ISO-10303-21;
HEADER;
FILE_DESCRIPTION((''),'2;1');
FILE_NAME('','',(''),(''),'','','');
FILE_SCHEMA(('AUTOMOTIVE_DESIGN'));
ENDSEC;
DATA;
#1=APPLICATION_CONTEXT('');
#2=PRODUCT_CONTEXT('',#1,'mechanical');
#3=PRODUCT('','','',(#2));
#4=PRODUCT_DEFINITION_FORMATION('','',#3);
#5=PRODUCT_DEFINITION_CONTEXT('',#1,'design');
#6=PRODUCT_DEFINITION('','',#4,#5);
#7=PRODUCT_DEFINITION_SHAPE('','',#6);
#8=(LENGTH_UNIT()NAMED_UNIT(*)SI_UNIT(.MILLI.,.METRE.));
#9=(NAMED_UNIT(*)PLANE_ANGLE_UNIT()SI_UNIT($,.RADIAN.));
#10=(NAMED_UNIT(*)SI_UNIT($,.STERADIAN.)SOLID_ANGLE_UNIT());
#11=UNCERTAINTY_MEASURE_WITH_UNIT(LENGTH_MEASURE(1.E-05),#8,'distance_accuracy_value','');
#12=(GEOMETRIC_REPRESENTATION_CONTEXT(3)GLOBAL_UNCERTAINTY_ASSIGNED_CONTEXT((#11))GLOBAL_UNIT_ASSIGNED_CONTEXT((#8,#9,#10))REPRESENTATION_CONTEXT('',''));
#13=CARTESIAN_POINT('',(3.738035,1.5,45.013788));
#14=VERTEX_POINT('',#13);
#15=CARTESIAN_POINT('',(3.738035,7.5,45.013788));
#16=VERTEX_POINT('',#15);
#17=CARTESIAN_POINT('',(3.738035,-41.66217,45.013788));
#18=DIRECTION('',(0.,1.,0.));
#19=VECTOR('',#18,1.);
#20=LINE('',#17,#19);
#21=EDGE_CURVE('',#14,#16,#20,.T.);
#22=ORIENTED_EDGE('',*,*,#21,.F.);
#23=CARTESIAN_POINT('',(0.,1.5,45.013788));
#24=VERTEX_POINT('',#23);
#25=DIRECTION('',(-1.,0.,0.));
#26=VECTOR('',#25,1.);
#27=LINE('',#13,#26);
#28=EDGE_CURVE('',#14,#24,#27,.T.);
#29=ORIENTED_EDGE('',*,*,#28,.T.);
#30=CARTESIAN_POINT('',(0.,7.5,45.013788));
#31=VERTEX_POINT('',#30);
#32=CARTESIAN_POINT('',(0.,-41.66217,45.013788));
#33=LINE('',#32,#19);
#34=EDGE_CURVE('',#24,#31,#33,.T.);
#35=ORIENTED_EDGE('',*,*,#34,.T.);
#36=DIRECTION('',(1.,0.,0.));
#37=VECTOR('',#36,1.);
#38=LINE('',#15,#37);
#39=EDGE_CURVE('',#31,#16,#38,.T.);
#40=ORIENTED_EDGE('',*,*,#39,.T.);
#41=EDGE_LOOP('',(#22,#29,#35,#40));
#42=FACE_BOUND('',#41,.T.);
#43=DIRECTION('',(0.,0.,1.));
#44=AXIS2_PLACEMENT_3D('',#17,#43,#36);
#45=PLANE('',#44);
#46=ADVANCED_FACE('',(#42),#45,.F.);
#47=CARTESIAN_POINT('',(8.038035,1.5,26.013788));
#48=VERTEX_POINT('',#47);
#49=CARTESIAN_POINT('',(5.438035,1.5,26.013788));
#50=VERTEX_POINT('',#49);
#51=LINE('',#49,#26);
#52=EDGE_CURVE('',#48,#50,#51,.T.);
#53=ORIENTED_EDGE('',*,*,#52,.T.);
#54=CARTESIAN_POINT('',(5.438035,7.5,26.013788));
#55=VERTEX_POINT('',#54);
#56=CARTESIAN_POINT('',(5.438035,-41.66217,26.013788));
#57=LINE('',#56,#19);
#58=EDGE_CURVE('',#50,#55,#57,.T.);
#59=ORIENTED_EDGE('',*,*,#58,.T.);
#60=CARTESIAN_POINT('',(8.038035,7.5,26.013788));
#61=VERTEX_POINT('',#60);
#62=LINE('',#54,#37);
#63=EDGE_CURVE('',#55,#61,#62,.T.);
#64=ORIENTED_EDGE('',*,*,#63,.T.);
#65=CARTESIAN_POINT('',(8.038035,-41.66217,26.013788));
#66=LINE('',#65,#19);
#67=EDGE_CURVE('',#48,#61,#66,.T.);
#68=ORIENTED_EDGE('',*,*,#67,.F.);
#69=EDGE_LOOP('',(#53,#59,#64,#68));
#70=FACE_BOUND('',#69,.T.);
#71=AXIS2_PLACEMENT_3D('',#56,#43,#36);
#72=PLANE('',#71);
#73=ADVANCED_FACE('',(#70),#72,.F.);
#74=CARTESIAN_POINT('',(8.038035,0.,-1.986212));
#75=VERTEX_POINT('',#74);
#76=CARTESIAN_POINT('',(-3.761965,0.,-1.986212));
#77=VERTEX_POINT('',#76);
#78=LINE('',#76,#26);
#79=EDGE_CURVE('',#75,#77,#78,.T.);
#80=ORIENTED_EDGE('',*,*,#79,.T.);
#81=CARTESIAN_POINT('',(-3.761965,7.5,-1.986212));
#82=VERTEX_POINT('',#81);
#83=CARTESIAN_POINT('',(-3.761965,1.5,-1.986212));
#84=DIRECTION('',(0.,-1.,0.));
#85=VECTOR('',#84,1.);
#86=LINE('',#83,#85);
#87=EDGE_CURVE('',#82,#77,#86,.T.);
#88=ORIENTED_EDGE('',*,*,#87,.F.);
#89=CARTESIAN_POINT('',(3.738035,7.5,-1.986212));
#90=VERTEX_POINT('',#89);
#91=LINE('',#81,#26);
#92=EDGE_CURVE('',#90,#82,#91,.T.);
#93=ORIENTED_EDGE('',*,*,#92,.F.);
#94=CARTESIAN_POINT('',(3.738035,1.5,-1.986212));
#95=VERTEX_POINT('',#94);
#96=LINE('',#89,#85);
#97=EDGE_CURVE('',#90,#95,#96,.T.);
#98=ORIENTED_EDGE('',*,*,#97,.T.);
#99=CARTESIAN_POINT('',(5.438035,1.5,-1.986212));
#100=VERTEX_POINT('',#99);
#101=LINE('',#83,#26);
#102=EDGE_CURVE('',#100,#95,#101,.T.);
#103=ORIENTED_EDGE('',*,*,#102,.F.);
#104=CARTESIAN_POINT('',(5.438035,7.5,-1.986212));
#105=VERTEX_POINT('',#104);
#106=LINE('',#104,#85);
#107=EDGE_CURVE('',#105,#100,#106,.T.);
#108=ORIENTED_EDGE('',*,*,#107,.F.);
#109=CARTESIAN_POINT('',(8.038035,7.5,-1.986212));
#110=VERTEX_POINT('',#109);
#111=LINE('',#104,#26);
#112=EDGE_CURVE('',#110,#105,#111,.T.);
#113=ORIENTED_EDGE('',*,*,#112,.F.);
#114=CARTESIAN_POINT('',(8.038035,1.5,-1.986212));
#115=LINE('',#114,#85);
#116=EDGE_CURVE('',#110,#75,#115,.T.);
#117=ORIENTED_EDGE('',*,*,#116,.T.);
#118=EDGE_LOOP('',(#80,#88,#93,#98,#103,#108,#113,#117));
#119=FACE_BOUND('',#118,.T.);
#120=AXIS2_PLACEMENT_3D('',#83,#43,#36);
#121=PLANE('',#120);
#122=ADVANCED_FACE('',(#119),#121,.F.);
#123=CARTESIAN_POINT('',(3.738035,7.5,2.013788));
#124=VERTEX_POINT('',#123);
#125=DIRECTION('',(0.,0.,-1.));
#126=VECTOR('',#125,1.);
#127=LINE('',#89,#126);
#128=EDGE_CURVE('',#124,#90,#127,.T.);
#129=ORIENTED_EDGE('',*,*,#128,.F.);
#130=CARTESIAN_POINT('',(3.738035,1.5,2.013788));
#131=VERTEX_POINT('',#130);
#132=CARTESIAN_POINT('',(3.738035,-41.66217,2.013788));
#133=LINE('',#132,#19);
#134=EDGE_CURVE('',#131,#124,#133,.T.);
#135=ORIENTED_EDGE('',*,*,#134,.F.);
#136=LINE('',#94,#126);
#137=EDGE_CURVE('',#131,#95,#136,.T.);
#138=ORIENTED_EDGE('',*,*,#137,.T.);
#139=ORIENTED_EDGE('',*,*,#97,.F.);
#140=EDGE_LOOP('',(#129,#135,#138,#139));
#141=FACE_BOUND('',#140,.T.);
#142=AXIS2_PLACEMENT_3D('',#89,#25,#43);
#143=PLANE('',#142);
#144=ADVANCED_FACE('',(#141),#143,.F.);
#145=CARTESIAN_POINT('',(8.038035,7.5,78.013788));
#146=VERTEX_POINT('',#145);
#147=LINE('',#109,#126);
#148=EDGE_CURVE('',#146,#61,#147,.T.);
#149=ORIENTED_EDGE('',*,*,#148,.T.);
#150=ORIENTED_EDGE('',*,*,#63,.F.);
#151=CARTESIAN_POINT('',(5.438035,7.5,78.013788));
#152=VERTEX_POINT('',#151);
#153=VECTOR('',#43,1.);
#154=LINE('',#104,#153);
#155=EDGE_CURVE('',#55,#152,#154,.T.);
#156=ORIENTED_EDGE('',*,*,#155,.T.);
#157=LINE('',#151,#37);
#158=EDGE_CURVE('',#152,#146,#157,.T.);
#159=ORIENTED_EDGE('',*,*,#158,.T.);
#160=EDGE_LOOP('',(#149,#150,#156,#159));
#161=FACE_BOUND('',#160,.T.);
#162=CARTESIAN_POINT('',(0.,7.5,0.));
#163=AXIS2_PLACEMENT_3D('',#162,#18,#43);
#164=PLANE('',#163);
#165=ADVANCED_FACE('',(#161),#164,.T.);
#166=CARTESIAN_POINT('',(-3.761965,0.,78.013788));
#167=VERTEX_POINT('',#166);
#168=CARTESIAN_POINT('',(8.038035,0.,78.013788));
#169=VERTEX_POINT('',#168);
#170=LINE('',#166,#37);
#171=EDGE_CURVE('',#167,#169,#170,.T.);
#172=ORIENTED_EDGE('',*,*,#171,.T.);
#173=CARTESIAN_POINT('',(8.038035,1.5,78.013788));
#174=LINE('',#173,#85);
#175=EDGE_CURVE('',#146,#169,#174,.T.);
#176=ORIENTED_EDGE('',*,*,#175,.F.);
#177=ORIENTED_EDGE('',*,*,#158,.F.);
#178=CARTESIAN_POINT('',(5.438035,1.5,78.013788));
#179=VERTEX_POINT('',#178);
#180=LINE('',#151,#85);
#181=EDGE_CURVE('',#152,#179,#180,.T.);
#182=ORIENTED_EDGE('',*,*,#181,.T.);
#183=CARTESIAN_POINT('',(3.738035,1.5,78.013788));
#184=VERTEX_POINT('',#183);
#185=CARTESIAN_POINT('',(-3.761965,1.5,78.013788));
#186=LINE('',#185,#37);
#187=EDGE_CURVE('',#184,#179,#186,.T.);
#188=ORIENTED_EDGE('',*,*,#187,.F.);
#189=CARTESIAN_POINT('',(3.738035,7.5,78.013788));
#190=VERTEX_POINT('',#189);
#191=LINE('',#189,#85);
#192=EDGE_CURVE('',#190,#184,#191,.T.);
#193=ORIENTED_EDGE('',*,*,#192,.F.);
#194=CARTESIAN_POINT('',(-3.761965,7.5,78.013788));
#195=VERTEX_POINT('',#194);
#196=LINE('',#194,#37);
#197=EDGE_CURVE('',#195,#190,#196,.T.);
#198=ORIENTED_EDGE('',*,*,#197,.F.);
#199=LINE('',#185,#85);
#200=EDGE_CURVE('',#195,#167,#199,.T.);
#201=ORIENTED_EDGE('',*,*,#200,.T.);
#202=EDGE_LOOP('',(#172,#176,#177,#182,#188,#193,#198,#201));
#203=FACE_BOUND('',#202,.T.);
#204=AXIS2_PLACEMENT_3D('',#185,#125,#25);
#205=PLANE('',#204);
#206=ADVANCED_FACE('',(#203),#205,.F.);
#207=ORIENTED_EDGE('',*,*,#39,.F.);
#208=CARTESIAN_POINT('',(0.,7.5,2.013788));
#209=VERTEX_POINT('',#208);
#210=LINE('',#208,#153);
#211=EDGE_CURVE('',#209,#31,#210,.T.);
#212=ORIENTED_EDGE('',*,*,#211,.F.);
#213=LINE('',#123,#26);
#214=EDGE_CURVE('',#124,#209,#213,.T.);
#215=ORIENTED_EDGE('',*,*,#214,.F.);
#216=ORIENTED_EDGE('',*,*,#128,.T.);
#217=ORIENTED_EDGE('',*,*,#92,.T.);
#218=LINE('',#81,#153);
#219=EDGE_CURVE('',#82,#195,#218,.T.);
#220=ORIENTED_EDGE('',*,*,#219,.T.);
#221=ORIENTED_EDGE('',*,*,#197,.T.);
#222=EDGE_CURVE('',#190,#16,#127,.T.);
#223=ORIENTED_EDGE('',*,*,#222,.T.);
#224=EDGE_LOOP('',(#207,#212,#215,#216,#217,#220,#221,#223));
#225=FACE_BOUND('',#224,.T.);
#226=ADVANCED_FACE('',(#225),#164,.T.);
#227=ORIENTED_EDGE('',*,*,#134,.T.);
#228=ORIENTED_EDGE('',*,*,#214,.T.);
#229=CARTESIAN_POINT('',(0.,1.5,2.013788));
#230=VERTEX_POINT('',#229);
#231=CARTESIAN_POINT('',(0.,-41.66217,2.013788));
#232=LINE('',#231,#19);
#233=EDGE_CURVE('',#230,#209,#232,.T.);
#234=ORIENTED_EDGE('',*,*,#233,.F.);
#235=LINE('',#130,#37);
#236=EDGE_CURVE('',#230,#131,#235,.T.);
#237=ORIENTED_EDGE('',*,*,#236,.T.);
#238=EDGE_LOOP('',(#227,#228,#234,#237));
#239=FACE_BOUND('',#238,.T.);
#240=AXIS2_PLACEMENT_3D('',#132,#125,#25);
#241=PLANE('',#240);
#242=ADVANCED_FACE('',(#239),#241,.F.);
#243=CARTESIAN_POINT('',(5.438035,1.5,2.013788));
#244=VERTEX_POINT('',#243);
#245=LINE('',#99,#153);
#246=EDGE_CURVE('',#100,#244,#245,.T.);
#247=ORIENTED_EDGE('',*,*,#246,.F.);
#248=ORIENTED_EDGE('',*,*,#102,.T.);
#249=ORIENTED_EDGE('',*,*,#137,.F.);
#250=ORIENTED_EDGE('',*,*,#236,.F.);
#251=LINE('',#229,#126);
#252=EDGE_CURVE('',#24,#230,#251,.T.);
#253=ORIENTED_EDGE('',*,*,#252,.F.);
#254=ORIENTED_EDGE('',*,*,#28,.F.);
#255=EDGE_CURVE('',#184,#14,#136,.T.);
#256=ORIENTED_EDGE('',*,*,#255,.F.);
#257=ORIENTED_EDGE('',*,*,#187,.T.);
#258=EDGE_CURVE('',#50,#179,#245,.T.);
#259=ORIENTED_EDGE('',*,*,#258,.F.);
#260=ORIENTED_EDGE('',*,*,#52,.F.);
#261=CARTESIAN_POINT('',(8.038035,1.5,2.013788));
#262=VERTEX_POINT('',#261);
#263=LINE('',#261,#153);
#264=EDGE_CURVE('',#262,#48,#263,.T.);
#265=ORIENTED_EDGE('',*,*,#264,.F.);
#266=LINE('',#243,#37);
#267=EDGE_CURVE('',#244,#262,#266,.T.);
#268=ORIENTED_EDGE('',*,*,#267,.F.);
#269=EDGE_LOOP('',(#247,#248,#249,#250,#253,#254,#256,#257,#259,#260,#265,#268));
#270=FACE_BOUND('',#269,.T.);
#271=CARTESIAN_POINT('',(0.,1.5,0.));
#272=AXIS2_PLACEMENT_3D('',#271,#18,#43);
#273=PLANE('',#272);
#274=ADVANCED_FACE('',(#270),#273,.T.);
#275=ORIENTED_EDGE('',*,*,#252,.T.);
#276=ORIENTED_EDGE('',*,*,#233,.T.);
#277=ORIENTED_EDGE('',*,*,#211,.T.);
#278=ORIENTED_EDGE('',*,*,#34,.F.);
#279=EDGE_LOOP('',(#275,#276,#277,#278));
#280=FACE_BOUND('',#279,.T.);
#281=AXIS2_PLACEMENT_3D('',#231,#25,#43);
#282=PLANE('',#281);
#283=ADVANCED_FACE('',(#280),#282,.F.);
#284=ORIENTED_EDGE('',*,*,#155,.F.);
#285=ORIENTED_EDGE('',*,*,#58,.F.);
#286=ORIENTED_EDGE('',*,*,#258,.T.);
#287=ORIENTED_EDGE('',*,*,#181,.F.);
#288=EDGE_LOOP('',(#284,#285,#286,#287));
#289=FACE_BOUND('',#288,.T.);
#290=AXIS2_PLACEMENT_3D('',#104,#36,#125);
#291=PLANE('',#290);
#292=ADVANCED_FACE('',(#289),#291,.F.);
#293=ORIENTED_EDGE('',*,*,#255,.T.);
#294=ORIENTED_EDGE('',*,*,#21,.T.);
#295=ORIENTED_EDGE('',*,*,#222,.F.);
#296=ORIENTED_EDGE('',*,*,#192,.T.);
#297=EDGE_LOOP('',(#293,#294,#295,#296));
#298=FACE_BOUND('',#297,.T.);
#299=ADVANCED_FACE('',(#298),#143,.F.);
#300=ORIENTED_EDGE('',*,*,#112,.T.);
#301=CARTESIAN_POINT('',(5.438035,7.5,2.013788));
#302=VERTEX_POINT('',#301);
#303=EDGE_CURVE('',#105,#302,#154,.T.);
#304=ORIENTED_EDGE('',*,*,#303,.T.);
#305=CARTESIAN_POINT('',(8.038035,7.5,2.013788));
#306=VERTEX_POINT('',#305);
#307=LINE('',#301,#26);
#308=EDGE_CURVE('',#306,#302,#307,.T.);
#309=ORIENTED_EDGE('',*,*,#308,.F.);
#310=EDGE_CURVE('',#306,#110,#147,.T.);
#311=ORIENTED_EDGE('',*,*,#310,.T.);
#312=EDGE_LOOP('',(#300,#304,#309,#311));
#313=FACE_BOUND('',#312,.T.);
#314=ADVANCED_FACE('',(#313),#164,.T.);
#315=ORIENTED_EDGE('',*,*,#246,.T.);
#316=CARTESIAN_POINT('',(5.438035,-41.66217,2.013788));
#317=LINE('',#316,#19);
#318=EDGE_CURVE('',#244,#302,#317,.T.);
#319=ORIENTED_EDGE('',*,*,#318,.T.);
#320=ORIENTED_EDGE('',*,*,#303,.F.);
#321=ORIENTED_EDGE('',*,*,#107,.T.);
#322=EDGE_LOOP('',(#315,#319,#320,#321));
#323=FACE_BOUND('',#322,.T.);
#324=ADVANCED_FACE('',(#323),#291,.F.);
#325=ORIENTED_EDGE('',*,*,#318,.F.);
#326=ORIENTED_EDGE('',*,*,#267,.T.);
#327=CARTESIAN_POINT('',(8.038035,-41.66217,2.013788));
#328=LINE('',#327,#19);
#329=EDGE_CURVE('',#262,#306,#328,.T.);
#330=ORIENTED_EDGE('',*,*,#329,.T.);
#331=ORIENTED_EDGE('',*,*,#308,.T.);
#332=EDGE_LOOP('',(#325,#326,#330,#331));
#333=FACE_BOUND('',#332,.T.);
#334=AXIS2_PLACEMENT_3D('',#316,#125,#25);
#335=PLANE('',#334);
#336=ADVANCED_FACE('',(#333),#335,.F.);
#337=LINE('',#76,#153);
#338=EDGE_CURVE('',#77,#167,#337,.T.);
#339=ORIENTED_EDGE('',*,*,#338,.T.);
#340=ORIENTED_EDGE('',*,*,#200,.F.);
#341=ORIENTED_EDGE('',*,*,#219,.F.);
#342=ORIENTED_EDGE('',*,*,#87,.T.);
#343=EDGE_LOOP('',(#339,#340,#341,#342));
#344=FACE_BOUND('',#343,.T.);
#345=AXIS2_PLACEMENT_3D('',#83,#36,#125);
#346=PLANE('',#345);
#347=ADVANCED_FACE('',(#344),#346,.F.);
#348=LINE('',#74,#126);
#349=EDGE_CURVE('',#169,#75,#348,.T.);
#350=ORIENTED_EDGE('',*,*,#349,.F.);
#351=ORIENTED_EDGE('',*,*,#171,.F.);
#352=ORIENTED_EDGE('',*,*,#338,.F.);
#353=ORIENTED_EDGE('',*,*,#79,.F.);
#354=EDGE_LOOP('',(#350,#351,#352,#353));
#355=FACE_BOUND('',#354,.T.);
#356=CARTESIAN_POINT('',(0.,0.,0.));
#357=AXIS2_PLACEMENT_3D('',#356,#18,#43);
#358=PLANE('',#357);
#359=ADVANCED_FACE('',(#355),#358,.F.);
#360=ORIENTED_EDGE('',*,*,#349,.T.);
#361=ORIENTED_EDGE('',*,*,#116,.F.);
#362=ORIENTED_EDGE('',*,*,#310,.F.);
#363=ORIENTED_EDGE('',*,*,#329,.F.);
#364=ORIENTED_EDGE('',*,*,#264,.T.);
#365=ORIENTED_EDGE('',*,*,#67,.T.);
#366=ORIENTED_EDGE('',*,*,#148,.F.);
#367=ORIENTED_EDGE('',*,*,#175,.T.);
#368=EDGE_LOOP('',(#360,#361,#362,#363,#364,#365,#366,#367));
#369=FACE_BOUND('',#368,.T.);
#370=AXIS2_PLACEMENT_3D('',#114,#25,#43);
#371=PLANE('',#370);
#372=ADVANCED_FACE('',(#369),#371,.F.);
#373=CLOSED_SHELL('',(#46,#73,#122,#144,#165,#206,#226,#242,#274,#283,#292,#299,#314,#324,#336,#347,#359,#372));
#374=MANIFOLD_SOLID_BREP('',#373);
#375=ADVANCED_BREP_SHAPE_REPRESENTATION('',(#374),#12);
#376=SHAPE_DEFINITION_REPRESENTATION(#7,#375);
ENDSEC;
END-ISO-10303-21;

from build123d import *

# Parameters (mm, degrees)
SKETCH1_W           = 11.8
SKETCH1_H           = 80
BOSS_EXTRUDE1_DEPTH = 1.5
SKETCH2_W           = 7.5
SKETCH2_H           = 80
SKETCH2_W_2         = 2.6
BOSS_EXTRUDE2_DEPTH = 6
SKETCH3_W           = 3.738034865
SKETCH3_H           = 43
SKETCH3_W_2         = 2.6
SKETCH3_H_2         = 24
CUT_EXTRUDE1_DEPTH  = 6


with BuildPart() as part:
    # Sketch1 → Boss-Extrude1 (new body)
    with BuildSketch(Plane(origin=(0, 0, 0), x_dir=(1, 0, 0), z_dir=(0, 1, 0))):
        with Locations((2.138034865, -38.013787639)):
            Rectangle(SKETCH1_W, SKETCH1_H)
    extrude(amount=BOSS_EXTRUDE1_DEPTH)

    # Sketch2 → Boss-Extrude2 (add)
    with BuildSketch(Plane(origin=(0, 1.5, 0), x_dir=(1, 0, 0), z_dir=(0, 1, 0))):
        with Locations((-0.011965135, -38.013787639)):
            Rectangle(SKETCH2_W, SKETCH2_H)
        with Locations((6.738034865, -38.013787639)):
            Rectangle(SKETCH2_W_2, SKETCH2_H)
    extrude(amount=BOSS_EXTRUDE2_DEPTH)

    # Sketch3 → Cut-Extrude1 (cut)
    with BuildSketch(Plane(origin=(0, 7.5, 0), x_dir=(1, 0, 0), z_dir=(0, 1, 0))):
        with Locations((1.869017433, -23.513787639)):
            Rectangle(SKETCH3_W, SKETCH3_H)
        with Locations((6.738034865, -14.013787639)):
            Rectangle(SKETCH3_W_2, SKETCH3_H_2)
    extrude(amount=-CUT_EXTRUDE1_DEPTH, mode=Mode.SUBTRACT)


solid = part.part
